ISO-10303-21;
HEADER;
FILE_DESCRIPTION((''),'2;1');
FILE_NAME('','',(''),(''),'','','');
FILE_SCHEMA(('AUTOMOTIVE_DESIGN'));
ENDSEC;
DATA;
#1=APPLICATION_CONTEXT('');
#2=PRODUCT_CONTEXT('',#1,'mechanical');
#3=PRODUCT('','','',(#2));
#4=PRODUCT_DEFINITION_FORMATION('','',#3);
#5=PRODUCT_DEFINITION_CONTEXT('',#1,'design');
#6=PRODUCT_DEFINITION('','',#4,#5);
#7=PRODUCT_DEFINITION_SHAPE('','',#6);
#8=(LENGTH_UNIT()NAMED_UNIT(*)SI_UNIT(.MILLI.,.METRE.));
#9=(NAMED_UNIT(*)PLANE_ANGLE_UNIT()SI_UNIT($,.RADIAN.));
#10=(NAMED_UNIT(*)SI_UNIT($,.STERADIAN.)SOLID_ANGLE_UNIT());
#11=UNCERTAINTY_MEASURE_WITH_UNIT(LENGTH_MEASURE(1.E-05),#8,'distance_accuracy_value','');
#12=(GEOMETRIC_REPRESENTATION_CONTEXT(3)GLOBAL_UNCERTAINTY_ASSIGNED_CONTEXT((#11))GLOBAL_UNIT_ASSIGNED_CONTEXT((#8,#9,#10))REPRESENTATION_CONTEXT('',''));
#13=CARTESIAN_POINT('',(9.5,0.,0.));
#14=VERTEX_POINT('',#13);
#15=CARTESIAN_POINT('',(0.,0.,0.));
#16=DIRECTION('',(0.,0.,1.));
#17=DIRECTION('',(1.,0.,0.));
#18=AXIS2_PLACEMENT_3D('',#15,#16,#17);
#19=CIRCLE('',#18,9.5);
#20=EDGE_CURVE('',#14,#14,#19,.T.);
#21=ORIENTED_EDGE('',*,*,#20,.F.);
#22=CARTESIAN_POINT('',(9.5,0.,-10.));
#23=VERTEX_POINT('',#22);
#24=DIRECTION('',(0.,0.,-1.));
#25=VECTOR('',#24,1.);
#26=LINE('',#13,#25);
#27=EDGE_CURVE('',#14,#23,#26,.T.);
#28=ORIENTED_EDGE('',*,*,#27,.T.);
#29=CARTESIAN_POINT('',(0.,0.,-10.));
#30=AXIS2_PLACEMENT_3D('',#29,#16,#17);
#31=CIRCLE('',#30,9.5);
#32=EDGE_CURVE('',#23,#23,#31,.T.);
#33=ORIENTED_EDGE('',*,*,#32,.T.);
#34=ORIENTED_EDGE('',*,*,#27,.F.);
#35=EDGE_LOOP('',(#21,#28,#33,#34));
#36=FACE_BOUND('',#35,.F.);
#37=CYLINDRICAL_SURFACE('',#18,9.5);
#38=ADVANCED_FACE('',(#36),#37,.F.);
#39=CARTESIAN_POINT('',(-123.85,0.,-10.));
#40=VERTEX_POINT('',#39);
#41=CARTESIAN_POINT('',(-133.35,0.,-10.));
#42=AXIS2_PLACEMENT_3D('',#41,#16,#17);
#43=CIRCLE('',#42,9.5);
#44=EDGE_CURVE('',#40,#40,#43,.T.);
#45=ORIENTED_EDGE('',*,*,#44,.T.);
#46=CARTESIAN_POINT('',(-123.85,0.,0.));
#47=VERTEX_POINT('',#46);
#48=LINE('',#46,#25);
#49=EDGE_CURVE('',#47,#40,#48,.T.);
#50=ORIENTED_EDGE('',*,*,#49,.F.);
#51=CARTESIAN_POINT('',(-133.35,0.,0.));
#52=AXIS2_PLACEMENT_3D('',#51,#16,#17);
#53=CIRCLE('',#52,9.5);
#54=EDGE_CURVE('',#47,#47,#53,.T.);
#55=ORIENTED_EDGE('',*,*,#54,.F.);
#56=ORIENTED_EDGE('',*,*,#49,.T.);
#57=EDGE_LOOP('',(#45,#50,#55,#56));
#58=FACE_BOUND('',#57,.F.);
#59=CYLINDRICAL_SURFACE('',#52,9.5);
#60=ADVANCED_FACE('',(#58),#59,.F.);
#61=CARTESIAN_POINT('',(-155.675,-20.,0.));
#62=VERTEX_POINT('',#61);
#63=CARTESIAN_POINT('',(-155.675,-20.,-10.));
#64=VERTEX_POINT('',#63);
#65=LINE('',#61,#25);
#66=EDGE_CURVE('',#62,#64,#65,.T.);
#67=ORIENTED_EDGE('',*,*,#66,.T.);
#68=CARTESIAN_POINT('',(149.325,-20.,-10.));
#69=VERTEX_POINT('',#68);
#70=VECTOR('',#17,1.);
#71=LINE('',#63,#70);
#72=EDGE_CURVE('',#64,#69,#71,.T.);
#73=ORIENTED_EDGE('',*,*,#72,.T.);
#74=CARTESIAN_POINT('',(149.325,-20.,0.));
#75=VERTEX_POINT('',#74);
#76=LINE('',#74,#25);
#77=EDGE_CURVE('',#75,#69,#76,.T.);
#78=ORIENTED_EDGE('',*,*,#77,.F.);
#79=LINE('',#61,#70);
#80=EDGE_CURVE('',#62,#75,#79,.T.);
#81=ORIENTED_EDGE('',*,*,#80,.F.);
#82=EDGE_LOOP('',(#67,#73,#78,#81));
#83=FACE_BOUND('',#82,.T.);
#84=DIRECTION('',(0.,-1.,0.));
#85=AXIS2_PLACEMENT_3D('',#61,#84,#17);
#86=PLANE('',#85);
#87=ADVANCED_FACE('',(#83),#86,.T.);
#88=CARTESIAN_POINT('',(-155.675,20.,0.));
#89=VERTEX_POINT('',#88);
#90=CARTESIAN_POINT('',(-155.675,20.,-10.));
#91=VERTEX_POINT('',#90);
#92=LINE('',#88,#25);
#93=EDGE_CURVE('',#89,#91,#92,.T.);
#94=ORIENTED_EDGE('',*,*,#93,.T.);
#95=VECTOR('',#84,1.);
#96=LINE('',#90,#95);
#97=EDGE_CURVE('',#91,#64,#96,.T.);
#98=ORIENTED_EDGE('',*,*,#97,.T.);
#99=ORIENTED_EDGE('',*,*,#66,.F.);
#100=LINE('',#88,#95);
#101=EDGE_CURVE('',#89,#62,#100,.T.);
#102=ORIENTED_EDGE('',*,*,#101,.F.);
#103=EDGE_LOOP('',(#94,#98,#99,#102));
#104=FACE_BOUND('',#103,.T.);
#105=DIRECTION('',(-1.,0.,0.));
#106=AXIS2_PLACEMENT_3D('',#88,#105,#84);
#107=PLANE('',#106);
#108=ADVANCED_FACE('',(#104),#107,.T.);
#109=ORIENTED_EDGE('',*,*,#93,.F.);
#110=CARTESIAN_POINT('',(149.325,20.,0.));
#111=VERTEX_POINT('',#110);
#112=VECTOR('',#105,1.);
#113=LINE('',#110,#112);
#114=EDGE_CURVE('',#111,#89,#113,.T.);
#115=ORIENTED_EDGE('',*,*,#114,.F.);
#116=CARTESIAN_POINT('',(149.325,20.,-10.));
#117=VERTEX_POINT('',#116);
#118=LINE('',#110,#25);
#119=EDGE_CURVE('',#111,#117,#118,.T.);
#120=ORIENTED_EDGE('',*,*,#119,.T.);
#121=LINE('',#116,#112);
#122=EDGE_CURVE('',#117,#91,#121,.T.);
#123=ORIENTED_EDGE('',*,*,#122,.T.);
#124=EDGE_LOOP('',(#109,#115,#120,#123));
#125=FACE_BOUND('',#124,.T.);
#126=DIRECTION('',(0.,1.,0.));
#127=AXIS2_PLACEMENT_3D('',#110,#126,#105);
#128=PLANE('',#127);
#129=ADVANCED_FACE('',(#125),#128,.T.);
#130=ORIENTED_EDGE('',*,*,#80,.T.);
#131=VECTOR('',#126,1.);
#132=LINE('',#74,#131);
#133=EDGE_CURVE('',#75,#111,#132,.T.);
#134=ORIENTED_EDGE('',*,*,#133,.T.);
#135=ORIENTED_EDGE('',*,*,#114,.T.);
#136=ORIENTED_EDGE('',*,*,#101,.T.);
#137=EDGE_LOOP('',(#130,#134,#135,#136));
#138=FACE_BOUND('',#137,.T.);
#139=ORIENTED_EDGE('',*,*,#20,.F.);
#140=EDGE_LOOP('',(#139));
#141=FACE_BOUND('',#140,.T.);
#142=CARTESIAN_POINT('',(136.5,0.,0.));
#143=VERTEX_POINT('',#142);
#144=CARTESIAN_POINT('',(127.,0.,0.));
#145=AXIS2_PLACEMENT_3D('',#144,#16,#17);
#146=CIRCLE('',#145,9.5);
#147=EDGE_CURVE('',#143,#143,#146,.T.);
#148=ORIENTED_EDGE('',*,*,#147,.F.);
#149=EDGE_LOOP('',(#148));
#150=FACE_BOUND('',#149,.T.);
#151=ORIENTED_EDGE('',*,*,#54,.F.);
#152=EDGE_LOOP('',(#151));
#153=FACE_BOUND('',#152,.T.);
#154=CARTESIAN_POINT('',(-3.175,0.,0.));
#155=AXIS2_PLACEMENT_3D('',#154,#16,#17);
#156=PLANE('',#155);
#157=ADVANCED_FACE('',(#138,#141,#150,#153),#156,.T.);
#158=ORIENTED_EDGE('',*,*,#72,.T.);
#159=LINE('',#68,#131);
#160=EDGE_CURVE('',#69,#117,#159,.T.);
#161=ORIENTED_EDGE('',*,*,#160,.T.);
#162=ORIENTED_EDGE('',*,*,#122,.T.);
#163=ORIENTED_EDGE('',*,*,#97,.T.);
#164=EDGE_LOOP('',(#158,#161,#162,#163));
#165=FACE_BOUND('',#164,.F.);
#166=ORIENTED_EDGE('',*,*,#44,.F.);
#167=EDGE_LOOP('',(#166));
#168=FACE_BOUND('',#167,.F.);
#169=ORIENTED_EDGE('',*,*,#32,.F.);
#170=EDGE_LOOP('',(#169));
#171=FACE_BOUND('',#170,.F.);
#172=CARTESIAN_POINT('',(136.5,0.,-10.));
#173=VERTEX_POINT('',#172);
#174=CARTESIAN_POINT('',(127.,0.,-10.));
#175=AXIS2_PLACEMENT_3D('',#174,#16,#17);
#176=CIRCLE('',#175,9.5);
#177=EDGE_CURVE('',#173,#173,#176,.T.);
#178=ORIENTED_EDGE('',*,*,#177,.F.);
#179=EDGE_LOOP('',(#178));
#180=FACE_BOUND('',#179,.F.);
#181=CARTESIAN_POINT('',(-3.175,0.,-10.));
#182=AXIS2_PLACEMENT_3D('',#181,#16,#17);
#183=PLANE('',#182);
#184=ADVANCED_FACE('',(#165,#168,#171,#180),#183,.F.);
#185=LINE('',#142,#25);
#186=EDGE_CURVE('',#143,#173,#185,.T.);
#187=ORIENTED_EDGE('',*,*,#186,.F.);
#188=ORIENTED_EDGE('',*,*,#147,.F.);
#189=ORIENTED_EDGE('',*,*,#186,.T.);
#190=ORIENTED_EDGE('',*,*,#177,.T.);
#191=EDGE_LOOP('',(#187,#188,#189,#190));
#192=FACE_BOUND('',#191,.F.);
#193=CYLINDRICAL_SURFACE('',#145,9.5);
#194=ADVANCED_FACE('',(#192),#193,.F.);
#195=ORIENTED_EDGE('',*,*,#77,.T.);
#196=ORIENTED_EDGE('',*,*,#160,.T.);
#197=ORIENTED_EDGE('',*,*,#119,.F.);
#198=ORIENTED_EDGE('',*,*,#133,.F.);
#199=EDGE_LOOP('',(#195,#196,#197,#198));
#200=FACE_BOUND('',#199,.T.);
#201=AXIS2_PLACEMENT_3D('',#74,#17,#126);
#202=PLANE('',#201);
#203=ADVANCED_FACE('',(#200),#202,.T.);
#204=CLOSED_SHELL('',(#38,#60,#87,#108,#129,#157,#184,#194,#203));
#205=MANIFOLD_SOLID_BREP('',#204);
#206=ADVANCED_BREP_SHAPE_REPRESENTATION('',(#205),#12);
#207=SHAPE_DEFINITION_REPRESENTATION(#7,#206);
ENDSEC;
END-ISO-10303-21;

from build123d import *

# Parameters (mm, degrees)
F0_R     = 9.5
F1_DEPTH = 10


with BuildPart() as f1:
    # F0 (on Top) → F1 (new body)
    with BuildSketch(Plane.XY):
        Polygon((-155.675, -20), (0, -20), (149.325, -20), (149.325, 20), (0, 20), (-155.675, 20), align=None)
        with Locations((-133.35, 0)):
            Circle(F0_R, mode=Mode.SUBTRACT)
        Circle(F0_R, mode=Mode.SUBTRACT)
        with Locations((127, 0)):
            Circle(F0_R, mode=Mode.SUBTRACT)
    extrude(amount=-F1_DEPTH)


solid = f1.part
